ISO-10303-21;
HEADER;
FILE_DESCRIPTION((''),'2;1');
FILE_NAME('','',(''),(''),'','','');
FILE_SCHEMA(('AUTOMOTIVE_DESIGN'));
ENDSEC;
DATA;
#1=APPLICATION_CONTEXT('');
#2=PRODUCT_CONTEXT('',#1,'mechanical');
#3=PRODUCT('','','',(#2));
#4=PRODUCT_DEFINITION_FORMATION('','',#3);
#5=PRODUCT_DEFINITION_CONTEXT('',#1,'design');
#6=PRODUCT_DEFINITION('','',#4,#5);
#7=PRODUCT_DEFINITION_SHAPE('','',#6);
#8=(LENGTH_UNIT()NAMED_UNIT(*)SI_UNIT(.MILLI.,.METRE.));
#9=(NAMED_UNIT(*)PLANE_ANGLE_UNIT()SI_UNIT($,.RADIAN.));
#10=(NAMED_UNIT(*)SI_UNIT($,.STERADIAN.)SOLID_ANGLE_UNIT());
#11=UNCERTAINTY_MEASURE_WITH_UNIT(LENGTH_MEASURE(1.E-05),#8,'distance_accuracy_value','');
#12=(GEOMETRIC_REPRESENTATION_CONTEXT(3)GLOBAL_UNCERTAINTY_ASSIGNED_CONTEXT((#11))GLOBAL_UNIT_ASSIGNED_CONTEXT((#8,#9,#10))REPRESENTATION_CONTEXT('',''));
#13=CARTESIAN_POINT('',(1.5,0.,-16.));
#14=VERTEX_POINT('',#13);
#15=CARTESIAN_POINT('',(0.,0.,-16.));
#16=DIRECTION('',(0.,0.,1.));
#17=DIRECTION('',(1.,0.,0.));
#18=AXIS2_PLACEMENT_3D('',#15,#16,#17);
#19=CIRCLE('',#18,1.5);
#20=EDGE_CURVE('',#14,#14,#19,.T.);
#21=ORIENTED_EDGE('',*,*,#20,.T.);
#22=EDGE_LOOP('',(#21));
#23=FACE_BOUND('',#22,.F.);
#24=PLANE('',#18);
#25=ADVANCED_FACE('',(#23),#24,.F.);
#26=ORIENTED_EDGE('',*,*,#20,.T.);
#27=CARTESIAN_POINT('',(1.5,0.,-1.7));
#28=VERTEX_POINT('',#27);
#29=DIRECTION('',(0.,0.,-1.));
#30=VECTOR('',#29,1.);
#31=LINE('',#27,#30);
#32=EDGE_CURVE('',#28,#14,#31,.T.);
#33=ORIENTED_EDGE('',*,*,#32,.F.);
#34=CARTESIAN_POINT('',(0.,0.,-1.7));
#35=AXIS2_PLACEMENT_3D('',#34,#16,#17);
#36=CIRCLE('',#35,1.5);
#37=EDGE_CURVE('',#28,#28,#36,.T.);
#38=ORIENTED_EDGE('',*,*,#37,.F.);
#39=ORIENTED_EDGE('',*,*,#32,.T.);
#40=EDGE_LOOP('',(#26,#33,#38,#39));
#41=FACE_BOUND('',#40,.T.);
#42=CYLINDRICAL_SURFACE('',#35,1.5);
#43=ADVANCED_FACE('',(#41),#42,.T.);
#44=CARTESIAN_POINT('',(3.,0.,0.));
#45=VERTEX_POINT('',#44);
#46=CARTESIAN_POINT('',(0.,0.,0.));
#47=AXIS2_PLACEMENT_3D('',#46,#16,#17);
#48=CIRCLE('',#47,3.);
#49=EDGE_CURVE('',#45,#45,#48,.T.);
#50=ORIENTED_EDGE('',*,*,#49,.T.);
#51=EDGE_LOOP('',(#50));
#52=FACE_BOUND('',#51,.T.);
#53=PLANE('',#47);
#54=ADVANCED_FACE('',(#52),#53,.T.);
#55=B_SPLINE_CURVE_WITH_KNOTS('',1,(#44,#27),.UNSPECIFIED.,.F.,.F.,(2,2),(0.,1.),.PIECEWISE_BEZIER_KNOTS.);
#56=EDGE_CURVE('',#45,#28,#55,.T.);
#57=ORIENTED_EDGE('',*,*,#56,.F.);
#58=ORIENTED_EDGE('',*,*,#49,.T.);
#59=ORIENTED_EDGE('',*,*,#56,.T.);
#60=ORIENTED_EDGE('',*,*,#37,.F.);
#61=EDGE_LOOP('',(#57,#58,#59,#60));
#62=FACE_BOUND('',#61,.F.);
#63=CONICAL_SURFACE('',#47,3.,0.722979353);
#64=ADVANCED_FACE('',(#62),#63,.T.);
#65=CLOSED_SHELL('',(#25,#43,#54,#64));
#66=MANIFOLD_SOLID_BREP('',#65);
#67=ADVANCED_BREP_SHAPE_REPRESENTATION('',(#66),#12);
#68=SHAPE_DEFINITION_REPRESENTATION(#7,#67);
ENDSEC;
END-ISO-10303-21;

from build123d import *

# Parameters (mm, degrees)
F0_R     = 3
F2_R     = 1.5
F4_DEPTH = 14.3


with BuildPart() as f3:
    # F0 (on Top) → F3 section 0
    with BuildSketch(Plane.XY):
        Circle(F0_R)
    # F2 (on offset) → F3 section 1
    with BuildSketch(Plane.XY.offset(-1.7)):
        Circle(F2_R)
    loft()

    # F4 (add): a face of the model
    f4_faces = [f3.faces().sort_by_distance(p)[0] for p in [
        (0, 0, -1.7),
    ]]
    extrude(f4_faces, amount=F4_DEPTH)


solid = f3.part
